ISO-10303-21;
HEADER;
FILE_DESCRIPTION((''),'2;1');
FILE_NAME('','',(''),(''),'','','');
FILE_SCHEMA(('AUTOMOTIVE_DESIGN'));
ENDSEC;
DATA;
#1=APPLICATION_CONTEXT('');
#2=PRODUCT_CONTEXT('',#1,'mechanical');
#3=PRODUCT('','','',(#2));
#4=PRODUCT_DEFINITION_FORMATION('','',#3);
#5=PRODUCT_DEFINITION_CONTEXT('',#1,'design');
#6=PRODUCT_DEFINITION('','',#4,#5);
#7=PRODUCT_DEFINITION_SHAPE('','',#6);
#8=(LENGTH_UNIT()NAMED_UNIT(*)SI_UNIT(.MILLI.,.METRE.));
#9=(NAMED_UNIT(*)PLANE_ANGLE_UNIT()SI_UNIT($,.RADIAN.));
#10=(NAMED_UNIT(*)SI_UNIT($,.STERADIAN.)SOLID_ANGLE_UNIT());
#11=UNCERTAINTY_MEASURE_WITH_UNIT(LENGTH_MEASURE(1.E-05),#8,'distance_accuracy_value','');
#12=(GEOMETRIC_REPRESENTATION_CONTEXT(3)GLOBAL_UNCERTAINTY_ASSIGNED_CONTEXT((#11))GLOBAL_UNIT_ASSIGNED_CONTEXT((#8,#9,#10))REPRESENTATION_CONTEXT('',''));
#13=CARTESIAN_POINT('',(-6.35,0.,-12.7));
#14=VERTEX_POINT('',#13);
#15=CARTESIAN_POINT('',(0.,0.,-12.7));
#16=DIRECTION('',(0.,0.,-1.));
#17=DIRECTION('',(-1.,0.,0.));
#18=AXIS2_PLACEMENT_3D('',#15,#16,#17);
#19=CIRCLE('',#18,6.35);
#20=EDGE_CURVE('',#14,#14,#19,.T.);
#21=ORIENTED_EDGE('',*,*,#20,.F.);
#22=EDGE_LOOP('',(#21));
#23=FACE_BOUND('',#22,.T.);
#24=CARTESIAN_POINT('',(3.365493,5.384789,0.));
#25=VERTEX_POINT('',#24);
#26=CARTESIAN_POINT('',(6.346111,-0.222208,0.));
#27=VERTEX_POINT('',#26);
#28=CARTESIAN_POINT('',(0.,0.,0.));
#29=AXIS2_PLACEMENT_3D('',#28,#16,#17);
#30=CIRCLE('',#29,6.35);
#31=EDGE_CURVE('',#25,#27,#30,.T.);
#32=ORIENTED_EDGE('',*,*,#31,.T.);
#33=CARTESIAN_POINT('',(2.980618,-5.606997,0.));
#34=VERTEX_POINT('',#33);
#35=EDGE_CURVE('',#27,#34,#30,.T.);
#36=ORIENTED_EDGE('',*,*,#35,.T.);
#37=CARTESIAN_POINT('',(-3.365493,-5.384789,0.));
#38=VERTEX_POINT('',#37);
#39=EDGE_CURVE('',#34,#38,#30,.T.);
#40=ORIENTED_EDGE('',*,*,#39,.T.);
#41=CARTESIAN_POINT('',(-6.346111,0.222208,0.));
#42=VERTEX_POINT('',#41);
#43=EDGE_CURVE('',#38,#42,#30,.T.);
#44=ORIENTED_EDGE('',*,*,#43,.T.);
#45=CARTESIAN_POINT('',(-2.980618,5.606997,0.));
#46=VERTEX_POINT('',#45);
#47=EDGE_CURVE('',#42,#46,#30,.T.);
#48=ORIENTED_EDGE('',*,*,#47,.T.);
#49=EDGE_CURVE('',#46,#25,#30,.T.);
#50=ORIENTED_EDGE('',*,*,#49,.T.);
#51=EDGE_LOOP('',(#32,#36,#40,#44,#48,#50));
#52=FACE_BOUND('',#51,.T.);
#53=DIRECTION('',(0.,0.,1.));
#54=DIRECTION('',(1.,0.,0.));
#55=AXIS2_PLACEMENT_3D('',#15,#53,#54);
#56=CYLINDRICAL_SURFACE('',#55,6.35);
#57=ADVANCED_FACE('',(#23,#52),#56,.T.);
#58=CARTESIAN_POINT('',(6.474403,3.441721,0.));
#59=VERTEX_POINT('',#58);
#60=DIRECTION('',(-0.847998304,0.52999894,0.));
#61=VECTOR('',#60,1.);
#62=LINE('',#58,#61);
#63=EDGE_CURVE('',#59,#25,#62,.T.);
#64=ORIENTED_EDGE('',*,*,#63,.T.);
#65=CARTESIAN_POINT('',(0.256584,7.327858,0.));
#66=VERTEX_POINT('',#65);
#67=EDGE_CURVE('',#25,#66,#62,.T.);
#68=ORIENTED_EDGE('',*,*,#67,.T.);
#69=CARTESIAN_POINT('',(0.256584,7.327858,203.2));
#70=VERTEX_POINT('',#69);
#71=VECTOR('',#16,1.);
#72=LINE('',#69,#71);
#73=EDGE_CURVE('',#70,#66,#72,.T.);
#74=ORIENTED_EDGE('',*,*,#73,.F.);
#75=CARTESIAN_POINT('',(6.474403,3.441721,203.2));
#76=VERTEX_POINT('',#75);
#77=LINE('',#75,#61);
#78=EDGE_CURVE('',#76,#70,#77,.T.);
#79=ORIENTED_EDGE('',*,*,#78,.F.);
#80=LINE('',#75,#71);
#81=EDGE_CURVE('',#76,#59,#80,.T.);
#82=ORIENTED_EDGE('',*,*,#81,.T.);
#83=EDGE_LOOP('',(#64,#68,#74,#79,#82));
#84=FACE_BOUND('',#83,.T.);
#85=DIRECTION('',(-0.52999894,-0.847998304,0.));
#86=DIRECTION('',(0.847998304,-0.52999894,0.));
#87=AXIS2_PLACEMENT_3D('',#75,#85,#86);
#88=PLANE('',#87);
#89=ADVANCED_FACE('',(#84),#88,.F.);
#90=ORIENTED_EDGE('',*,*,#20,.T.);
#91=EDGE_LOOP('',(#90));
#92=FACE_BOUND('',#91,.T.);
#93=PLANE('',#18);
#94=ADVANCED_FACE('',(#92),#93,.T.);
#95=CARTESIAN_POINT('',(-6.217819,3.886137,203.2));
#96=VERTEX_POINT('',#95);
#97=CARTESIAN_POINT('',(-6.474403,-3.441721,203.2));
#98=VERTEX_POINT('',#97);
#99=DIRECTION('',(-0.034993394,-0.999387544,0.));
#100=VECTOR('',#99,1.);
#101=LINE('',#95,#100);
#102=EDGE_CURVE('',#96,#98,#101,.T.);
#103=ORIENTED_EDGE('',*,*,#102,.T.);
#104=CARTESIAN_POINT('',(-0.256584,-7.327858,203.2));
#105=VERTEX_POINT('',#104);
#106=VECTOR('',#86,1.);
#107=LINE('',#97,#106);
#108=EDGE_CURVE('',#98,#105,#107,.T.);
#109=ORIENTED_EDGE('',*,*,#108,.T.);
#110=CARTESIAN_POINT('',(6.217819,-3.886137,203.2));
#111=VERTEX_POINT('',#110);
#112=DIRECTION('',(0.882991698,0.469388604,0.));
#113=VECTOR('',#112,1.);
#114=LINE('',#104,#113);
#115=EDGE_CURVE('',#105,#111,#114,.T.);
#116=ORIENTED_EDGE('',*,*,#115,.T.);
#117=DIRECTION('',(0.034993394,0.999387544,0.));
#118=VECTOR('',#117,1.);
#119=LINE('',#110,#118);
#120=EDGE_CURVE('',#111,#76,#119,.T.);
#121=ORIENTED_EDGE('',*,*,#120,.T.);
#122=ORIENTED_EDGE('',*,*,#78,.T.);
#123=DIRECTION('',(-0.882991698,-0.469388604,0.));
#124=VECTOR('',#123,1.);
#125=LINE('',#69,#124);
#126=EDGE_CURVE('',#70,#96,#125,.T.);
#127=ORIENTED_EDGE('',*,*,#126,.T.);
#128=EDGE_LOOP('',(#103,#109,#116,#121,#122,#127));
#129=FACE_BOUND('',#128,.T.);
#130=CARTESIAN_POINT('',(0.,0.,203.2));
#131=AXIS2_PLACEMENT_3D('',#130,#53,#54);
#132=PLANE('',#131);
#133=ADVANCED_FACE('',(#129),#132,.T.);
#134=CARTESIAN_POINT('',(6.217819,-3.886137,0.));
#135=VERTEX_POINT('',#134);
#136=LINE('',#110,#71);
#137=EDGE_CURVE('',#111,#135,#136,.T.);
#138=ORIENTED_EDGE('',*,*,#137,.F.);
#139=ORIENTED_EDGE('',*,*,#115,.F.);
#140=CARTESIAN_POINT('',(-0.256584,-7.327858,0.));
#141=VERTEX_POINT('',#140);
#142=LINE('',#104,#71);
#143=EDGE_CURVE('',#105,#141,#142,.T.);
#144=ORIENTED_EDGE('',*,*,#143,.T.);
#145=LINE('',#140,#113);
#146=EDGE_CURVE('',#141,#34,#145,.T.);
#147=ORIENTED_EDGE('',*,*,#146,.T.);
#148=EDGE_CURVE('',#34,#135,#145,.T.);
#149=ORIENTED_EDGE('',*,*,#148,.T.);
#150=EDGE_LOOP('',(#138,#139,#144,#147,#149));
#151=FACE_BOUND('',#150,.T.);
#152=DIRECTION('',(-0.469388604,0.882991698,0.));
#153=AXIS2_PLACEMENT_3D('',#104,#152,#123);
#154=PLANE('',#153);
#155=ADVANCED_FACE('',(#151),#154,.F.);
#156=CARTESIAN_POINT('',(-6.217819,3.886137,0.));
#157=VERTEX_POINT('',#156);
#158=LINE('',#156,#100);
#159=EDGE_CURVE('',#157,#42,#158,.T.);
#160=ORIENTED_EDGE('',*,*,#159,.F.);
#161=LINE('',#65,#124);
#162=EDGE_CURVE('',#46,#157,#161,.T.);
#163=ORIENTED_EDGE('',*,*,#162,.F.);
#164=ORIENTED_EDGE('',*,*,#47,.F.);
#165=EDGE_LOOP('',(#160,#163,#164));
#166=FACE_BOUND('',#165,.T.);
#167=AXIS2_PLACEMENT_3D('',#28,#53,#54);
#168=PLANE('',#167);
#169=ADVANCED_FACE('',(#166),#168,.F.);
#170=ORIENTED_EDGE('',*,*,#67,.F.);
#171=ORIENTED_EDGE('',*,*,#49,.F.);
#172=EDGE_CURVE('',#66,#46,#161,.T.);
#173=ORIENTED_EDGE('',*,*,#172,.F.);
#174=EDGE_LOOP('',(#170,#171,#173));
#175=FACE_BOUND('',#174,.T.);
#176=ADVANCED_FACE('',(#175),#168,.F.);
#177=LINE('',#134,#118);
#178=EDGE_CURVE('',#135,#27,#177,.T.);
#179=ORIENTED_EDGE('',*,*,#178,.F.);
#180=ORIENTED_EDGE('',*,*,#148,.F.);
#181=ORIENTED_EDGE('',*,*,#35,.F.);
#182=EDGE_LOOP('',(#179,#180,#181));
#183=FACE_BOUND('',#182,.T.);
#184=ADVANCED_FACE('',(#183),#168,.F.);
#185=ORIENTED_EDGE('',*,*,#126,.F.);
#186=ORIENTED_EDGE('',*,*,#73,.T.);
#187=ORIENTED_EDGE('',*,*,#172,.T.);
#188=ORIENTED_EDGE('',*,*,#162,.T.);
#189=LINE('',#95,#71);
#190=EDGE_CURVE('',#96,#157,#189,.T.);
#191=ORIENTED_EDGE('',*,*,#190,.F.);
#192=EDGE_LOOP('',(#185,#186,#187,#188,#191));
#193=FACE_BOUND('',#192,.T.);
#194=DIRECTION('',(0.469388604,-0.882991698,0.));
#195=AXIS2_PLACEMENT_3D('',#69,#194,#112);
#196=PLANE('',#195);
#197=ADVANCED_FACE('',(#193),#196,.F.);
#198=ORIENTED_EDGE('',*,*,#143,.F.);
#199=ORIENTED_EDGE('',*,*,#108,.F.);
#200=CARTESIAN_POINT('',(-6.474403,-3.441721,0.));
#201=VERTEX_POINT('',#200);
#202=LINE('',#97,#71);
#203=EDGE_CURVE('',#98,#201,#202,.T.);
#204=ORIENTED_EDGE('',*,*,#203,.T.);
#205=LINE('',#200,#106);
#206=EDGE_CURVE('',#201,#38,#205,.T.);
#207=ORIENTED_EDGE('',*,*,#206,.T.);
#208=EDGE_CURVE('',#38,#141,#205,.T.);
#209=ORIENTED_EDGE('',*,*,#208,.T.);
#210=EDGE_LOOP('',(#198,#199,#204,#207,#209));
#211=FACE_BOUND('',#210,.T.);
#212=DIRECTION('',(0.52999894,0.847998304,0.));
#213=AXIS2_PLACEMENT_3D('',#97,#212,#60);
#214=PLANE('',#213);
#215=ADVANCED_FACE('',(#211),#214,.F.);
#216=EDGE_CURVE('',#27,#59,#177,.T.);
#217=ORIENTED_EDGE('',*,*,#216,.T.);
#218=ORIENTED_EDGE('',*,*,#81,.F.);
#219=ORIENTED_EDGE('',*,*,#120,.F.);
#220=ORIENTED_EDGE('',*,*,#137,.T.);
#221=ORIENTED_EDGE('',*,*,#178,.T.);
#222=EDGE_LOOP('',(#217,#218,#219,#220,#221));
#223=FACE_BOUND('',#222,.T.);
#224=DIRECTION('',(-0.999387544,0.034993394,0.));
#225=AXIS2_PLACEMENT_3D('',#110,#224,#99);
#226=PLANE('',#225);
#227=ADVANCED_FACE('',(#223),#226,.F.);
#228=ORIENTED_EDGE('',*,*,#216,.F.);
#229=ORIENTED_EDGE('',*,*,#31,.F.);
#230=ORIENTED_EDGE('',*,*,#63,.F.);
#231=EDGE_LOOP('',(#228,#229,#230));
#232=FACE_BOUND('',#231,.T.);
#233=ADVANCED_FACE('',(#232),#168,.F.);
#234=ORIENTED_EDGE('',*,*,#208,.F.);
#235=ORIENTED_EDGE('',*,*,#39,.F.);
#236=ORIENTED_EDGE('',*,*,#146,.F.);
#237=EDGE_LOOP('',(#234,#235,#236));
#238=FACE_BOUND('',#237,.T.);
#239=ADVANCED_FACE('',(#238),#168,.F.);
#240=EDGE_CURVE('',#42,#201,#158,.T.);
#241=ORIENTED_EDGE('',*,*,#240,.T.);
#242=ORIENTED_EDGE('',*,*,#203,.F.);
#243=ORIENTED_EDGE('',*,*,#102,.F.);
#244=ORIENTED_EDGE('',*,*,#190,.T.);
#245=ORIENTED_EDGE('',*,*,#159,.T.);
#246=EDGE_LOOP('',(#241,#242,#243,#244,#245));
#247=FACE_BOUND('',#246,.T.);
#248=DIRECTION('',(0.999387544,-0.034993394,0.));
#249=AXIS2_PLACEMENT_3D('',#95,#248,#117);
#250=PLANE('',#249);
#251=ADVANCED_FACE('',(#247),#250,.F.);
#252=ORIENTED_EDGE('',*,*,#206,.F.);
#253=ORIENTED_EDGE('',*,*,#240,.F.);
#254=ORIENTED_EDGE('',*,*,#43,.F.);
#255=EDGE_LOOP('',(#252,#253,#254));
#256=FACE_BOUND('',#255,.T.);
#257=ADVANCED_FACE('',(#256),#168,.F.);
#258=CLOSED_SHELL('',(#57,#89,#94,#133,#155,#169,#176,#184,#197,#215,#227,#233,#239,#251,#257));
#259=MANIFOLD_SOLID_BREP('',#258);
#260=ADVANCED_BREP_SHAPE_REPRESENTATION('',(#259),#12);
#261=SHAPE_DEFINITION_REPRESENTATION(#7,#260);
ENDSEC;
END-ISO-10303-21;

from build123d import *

# Parameters (mm, degrees)
BOSS_EXTRUDE1_DEPTH = 203.2
SKETCH2_R           = 6.35
BOSS_EXTRUDE2_DEPTH = 12.7


with BuildPart() as part:
    # Sketch1 → Boss-Extrude1 (new body)
    with BuildSketch(Plane.XY):
        Polygon((6.217819023, -3.88613689), (6.474402781, 3.441720786), (0.256583757, 7.327857675), (-6.217819023, 3.88613689), (-6.474402781, -3.441720786), (-0.256583757, -7.327857675), align=None)
    extrude(amount=BOSS_EXTRUDE1_DEPTH)

    # Sketch2 → Boss-Extrude2 (add)
    with BuildSketch(Plane(origin=(0, 0, 0), x_dir=(-1, 0, 0), z_dir=(0, 0, -1))):
        Circle(SKETCH2_R)
    extrude(amount=BOSS_EXTRUDE2_DEPTH)


solid = part.part
